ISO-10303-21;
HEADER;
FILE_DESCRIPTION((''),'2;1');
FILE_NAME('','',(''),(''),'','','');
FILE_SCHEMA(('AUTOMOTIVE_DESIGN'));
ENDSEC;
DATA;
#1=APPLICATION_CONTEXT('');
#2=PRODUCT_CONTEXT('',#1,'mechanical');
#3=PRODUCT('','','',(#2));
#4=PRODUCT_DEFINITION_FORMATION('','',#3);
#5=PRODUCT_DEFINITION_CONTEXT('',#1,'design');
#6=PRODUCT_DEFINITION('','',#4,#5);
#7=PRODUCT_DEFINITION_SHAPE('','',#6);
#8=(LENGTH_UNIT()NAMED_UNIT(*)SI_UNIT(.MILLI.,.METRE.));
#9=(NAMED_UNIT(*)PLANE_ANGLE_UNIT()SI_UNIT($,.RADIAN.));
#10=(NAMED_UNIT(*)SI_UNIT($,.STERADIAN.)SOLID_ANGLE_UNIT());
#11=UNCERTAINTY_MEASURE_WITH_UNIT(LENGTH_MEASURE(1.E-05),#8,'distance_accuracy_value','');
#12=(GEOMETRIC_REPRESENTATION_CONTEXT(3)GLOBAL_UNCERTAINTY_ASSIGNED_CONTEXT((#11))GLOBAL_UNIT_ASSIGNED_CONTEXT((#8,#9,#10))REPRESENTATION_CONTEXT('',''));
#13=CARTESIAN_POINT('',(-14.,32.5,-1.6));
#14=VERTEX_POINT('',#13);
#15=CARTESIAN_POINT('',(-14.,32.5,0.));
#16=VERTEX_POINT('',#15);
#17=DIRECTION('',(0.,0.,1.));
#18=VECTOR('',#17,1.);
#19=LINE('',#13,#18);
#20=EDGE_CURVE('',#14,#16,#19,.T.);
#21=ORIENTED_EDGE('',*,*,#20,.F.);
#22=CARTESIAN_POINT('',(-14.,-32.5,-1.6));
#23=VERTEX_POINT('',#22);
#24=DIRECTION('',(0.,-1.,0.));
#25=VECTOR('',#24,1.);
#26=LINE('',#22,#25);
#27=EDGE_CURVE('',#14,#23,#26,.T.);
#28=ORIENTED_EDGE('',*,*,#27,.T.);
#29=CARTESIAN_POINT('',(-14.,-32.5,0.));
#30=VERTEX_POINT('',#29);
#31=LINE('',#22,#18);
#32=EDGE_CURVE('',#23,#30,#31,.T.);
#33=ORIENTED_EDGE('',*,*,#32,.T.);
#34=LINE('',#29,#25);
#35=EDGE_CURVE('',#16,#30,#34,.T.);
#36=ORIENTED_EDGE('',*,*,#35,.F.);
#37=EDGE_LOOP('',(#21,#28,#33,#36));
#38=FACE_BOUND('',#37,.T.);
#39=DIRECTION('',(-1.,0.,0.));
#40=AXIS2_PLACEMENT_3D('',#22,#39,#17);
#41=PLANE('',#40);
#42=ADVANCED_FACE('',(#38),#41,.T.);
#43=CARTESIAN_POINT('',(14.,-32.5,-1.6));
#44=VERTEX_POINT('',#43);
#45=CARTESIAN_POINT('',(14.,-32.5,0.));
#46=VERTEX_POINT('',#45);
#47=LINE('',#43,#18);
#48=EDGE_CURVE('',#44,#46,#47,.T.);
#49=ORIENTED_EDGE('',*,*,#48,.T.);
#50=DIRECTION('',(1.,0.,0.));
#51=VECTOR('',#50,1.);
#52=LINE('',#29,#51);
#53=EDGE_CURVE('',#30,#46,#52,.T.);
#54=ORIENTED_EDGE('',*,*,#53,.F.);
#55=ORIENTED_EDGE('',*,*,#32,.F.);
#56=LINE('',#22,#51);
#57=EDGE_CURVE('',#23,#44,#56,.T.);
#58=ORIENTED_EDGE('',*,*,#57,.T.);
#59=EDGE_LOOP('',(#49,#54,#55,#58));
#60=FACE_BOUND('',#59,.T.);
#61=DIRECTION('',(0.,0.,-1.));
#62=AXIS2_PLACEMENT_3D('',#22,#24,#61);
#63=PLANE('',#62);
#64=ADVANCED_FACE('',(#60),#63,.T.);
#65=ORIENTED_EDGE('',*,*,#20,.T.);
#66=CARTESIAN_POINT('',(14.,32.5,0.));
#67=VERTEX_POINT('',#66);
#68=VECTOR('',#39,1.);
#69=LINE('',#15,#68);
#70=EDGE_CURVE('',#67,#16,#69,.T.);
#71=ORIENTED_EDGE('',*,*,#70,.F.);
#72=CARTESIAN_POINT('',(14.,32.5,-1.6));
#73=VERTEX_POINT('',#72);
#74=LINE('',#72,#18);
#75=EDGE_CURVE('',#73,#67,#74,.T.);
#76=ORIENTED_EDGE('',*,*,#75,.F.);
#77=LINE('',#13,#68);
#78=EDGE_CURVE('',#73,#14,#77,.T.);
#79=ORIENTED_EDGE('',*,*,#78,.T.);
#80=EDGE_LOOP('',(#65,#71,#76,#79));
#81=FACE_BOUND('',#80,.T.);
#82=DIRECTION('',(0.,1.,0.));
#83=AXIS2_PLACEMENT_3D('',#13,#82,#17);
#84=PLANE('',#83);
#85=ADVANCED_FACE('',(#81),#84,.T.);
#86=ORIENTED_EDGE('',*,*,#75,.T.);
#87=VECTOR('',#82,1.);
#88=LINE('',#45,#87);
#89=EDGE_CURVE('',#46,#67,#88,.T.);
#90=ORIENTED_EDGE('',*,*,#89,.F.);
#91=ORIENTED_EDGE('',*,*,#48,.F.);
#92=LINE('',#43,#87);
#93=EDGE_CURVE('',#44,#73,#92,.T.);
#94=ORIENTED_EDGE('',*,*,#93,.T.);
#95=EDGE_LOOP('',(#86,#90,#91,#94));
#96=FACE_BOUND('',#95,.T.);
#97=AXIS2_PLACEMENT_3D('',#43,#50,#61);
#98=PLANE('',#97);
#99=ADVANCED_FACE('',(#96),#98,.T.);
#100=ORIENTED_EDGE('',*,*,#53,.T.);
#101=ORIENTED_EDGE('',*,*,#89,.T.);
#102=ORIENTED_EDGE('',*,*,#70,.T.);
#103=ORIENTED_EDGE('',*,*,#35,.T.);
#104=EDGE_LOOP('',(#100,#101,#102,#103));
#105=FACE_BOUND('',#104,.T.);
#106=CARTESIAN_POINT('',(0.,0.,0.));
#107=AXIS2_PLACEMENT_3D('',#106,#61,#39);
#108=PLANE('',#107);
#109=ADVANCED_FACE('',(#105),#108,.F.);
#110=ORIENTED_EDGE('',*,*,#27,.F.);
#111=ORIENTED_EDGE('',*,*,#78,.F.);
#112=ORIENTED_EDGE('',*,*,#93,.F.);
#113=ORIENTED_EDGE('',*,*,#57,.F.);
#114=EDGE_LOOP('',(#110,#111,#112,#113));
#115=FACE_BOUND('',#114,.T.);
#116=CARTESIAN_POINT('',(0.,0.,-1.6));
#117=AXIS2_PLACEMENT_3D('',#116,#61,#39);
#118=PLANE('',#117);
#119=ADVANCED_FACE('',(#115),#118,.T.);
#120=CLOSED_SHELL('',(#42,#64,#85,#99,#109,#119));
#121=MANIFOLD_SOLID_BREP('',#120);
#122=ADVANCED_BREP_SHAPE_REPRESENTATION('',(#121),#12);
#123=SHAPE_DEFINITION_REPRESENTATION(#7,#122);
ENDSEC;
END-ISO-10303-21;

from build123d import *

# Parameters (mm, degrees)
SKETCH1_W           = 28
SKETCH1_H           = 65
BOSS_EXTRUDE1_DEPTH = 1.6


with BuildPart() as part:
    # Sketch1 → Boss-Extrude1 (new body)
    with BuildSketch(Plane.XY):
        Rectangle(SKETCH1_W, SKETCH1_H)
    extrude(amount=-BOSS_EXTRUDE1_DEPTH)


solid = part.part
